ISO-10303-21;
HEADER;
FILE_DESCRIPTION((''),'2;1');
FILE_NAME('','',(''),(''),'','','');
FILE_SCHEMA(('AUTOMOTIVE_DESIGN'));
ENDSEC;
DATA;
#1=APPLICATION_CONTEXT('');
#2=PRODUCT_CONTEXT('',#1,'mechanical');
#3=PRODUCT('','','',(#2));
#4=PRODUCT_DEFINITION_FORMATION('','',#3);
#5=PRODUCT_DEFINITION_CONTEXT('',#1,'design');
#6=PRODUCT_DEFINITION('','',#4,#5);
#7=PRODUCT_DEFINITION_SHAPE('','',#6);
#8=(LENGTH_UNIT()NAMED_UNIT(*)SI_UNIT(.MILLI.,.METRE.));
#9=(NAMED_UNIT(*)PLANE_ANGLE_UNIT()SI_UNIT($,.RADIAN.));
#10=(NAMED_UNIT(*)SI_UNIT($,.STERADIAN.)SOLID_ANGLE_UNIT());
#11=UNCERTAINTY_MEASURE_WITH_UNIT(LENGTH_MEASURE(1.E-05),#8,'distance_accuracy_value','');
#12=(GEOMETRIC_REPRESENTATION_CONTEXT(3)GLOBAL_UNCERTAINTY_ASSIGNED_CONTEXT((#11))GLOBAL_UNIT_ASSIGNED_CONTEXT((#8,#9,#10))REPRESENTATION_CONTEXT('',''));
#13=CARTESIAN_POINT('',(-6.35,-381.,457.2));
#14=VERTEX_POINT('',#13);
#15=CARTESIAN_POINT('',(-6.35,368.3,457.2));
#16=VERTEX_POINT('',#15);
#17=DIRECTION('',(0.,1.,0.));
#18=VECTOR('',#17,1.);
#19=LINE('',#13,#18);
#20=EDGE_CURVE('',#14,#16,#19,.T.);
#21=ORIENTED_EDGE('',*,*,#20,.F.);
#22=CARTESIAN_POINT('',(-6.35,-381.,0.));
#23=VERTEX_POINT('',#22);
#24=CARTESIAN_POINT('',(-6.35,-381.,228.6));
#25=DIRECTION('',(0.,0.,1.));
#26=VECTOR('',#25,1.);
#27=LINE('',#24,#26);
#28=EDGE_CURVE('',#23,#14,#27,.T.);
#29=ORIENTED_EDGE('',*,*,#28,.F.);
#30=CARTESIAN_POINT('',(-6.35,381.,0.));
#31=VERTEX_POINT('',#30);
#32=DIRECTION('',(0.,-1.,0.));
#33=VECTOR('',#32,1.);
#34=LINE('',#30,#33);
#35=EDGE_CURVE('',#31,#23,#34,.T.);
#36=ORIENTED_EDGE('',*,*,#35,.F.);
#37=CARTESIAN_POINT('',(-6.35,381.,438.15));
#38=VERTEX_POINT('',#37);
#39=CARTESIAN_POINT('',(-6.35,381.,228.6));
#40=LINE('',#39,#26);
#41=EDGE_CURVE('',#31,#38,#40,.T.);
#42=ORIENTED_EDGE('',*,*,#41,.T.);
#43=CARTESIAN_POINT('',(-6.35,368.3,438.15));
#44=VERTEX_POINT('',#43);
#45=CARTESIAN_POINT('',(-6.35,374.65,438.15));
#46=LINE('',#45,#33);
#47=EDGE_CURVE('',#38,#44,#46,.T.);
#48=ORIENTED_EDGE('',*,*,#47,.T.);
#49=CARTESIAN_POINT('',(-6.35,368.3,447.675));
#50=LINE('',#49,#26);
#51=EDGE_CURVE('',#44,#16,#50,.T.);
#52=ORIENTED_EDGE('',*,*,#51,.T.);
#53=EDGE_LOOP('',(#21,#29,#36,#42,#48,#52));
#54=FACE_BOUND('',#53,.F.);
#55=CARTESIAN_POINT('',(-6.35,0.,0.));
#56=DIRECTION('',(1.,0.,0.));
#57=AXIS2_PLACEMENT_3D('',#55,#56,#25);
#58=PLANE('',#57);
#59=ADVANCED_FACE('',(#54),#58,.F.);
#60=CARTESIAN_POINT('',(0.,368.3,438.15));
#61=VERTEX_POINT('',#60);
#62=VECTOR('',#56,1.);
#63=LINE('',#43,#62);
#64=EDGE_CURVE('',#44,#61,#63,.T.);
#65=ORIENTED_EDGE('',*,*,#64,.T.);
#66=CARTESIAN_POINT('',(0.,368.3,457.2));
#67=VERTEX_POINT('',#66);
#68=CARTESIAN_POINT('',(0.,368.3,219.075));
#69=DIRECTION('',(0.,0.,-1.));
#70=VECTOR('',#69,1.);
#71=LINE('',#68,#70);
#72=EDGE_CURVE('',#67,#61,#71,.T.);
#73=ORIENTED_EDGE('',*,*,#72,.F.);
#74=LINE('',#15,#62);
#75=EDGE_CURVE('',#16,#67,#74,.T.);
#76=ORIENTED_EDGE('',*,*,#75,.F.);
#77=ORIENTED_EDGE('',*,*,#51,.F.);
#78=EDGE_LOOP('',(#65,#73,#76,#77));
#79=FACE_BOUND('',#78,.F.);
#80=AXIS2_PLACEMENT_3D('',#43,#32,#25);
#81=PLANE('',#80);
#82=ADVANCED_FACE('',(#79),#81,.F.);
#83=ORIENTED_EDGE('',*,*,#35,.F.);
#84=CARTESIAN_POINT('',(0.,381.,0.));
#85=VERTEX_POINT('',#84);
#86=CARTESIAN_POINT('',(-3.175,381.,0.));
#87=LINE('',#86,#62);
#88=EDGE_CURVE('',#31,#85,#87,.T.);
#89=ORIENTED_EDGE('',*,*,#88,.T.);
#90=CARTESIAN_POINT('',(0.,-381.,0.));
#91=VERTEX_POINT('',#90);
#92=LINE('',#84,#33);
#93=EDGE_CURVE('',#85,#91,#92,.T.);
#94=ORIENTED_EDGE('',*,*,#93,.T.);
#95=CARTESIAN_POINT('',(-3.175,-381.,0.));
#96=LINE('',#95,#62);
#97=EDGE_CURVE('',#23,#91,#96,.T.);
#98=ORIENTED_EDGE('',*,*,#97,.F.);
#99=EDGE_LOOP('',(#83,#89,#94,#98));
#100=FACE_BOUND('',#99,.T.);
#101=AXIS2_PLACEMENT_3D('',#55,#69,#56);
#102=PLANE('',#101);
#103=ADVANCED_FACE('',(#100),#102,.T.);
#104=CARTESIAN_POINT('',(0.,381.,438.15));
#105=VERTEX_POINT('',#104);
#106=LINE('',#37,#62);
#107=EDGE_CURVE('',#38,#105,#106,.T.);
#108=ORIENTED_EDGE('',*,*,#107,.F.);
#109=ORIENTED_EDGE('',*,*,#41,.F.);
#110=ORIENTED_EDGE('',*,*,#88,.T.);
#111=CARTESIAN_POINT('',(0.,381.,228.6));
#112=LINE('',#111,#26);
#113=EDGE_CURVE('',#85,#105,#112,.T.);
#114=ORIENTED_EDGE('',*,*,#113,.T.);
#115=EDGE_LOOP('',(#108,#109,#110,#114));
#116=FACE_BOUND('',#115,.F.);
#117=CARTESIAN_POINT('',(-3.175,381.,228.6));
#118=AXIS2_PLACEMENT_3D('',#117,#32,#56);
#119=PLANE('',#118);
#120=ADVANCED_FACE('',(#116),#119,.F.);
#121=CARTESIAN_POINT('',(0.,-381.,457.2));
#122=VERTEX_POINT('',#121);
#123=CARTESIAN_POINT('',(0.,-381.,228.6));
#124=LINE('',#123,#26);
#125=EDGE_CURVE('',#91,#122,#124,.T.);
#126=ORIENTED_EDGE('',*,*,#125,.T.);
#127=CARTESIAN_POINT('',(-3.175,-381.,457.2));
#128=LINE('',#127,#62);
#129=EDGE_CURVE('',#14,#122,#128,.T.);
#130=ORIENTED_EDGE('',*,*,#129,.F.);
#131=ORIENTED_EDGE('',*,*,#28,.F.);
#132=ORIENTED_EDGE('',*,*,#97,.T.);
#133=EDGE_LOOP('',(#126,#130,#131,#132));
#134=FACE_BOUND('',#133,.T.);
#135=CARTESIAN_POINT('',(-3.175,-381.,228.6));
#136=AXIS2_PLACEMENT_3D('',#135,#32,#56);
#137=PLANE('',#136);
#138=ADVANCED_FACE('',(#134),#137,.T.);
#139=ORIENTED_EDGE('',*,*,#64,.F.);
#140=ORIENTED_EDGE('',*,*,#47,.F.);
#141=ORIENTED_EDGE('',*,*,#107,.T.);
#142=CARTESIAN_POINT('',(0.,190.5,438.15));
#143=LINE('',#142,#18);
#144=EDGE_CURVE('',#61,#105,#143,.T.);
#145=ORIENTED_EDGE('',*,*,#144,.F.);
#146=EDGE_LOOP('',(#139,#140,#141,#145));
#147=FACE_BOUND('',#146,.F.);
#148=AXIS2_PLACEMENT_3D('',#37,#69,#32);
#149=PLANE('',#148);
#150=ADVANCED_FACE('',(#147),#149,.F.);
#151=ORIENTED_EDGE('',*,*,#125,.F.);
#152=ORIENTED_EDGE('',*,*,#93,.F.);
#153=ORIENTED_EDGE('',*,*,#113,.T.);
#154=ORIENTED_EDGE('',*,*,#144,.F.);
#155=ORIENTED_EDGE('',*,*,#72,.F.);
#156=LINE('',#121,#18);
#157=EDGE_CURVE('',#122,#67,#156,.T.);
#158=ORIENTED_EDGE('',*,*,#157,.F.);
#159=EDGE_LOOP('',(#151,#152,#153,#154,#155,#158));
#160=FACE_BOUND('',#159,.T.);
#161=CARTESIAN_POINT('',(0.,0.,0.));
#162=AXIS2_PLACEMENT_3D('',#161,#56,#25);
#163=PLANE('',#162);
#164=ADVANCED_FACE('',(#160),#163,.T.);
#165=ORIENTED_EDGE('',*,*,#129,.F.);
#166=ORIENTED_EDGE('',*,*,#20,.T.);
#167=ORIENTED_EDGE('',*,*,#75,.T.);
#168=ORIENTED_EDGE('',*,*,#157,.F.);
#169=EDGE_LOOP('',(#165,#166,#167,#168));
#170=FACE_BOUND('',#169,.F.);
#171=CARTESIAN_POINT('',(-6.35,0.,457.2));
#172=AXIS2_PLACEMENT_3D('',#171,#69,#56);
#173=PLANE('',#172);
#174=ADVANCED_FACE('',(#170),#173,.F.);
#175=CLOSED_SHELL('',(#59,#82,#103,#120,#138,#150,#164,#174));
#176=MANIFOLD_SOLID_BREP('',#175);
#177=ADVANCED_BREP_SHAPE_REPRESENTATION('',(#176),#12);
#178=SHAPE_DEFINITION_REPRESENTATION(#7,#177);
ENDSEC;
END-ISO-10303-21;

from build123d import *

# Parameters (mm, degrees)
F0_W     = 6.35
F0_H     = 457.2
F1_DEPTH = 381
F2_W     = 12.7
F2_H     = 19.05
F3_DEPTH = 6.351


with BuildPart() as f1:
    # F0 (on Front) → F1 (new body, symmetric)
    with BuildSketch(Plane.XZ):
        with Locations((-3.175, 228.6)):
            Rectangle(F0_W, F0_H)
    extrude(amount=F1_DEPTH, both=True)

    # F2 (on face) → F3 (cut, through all)
    with BuildSketch(Plane(origin=(-6.35, 0, 0), x_dir=(0, -1, 0), z_dir=(-1, 0, 0))):
        with Locations((-374.65, 447.675)):
            Rectangle(F2_W, F2_H)
    extrude(amount=-F3_DEPTH, mode=Mode.SUBTRACT)


solid = f1.part
